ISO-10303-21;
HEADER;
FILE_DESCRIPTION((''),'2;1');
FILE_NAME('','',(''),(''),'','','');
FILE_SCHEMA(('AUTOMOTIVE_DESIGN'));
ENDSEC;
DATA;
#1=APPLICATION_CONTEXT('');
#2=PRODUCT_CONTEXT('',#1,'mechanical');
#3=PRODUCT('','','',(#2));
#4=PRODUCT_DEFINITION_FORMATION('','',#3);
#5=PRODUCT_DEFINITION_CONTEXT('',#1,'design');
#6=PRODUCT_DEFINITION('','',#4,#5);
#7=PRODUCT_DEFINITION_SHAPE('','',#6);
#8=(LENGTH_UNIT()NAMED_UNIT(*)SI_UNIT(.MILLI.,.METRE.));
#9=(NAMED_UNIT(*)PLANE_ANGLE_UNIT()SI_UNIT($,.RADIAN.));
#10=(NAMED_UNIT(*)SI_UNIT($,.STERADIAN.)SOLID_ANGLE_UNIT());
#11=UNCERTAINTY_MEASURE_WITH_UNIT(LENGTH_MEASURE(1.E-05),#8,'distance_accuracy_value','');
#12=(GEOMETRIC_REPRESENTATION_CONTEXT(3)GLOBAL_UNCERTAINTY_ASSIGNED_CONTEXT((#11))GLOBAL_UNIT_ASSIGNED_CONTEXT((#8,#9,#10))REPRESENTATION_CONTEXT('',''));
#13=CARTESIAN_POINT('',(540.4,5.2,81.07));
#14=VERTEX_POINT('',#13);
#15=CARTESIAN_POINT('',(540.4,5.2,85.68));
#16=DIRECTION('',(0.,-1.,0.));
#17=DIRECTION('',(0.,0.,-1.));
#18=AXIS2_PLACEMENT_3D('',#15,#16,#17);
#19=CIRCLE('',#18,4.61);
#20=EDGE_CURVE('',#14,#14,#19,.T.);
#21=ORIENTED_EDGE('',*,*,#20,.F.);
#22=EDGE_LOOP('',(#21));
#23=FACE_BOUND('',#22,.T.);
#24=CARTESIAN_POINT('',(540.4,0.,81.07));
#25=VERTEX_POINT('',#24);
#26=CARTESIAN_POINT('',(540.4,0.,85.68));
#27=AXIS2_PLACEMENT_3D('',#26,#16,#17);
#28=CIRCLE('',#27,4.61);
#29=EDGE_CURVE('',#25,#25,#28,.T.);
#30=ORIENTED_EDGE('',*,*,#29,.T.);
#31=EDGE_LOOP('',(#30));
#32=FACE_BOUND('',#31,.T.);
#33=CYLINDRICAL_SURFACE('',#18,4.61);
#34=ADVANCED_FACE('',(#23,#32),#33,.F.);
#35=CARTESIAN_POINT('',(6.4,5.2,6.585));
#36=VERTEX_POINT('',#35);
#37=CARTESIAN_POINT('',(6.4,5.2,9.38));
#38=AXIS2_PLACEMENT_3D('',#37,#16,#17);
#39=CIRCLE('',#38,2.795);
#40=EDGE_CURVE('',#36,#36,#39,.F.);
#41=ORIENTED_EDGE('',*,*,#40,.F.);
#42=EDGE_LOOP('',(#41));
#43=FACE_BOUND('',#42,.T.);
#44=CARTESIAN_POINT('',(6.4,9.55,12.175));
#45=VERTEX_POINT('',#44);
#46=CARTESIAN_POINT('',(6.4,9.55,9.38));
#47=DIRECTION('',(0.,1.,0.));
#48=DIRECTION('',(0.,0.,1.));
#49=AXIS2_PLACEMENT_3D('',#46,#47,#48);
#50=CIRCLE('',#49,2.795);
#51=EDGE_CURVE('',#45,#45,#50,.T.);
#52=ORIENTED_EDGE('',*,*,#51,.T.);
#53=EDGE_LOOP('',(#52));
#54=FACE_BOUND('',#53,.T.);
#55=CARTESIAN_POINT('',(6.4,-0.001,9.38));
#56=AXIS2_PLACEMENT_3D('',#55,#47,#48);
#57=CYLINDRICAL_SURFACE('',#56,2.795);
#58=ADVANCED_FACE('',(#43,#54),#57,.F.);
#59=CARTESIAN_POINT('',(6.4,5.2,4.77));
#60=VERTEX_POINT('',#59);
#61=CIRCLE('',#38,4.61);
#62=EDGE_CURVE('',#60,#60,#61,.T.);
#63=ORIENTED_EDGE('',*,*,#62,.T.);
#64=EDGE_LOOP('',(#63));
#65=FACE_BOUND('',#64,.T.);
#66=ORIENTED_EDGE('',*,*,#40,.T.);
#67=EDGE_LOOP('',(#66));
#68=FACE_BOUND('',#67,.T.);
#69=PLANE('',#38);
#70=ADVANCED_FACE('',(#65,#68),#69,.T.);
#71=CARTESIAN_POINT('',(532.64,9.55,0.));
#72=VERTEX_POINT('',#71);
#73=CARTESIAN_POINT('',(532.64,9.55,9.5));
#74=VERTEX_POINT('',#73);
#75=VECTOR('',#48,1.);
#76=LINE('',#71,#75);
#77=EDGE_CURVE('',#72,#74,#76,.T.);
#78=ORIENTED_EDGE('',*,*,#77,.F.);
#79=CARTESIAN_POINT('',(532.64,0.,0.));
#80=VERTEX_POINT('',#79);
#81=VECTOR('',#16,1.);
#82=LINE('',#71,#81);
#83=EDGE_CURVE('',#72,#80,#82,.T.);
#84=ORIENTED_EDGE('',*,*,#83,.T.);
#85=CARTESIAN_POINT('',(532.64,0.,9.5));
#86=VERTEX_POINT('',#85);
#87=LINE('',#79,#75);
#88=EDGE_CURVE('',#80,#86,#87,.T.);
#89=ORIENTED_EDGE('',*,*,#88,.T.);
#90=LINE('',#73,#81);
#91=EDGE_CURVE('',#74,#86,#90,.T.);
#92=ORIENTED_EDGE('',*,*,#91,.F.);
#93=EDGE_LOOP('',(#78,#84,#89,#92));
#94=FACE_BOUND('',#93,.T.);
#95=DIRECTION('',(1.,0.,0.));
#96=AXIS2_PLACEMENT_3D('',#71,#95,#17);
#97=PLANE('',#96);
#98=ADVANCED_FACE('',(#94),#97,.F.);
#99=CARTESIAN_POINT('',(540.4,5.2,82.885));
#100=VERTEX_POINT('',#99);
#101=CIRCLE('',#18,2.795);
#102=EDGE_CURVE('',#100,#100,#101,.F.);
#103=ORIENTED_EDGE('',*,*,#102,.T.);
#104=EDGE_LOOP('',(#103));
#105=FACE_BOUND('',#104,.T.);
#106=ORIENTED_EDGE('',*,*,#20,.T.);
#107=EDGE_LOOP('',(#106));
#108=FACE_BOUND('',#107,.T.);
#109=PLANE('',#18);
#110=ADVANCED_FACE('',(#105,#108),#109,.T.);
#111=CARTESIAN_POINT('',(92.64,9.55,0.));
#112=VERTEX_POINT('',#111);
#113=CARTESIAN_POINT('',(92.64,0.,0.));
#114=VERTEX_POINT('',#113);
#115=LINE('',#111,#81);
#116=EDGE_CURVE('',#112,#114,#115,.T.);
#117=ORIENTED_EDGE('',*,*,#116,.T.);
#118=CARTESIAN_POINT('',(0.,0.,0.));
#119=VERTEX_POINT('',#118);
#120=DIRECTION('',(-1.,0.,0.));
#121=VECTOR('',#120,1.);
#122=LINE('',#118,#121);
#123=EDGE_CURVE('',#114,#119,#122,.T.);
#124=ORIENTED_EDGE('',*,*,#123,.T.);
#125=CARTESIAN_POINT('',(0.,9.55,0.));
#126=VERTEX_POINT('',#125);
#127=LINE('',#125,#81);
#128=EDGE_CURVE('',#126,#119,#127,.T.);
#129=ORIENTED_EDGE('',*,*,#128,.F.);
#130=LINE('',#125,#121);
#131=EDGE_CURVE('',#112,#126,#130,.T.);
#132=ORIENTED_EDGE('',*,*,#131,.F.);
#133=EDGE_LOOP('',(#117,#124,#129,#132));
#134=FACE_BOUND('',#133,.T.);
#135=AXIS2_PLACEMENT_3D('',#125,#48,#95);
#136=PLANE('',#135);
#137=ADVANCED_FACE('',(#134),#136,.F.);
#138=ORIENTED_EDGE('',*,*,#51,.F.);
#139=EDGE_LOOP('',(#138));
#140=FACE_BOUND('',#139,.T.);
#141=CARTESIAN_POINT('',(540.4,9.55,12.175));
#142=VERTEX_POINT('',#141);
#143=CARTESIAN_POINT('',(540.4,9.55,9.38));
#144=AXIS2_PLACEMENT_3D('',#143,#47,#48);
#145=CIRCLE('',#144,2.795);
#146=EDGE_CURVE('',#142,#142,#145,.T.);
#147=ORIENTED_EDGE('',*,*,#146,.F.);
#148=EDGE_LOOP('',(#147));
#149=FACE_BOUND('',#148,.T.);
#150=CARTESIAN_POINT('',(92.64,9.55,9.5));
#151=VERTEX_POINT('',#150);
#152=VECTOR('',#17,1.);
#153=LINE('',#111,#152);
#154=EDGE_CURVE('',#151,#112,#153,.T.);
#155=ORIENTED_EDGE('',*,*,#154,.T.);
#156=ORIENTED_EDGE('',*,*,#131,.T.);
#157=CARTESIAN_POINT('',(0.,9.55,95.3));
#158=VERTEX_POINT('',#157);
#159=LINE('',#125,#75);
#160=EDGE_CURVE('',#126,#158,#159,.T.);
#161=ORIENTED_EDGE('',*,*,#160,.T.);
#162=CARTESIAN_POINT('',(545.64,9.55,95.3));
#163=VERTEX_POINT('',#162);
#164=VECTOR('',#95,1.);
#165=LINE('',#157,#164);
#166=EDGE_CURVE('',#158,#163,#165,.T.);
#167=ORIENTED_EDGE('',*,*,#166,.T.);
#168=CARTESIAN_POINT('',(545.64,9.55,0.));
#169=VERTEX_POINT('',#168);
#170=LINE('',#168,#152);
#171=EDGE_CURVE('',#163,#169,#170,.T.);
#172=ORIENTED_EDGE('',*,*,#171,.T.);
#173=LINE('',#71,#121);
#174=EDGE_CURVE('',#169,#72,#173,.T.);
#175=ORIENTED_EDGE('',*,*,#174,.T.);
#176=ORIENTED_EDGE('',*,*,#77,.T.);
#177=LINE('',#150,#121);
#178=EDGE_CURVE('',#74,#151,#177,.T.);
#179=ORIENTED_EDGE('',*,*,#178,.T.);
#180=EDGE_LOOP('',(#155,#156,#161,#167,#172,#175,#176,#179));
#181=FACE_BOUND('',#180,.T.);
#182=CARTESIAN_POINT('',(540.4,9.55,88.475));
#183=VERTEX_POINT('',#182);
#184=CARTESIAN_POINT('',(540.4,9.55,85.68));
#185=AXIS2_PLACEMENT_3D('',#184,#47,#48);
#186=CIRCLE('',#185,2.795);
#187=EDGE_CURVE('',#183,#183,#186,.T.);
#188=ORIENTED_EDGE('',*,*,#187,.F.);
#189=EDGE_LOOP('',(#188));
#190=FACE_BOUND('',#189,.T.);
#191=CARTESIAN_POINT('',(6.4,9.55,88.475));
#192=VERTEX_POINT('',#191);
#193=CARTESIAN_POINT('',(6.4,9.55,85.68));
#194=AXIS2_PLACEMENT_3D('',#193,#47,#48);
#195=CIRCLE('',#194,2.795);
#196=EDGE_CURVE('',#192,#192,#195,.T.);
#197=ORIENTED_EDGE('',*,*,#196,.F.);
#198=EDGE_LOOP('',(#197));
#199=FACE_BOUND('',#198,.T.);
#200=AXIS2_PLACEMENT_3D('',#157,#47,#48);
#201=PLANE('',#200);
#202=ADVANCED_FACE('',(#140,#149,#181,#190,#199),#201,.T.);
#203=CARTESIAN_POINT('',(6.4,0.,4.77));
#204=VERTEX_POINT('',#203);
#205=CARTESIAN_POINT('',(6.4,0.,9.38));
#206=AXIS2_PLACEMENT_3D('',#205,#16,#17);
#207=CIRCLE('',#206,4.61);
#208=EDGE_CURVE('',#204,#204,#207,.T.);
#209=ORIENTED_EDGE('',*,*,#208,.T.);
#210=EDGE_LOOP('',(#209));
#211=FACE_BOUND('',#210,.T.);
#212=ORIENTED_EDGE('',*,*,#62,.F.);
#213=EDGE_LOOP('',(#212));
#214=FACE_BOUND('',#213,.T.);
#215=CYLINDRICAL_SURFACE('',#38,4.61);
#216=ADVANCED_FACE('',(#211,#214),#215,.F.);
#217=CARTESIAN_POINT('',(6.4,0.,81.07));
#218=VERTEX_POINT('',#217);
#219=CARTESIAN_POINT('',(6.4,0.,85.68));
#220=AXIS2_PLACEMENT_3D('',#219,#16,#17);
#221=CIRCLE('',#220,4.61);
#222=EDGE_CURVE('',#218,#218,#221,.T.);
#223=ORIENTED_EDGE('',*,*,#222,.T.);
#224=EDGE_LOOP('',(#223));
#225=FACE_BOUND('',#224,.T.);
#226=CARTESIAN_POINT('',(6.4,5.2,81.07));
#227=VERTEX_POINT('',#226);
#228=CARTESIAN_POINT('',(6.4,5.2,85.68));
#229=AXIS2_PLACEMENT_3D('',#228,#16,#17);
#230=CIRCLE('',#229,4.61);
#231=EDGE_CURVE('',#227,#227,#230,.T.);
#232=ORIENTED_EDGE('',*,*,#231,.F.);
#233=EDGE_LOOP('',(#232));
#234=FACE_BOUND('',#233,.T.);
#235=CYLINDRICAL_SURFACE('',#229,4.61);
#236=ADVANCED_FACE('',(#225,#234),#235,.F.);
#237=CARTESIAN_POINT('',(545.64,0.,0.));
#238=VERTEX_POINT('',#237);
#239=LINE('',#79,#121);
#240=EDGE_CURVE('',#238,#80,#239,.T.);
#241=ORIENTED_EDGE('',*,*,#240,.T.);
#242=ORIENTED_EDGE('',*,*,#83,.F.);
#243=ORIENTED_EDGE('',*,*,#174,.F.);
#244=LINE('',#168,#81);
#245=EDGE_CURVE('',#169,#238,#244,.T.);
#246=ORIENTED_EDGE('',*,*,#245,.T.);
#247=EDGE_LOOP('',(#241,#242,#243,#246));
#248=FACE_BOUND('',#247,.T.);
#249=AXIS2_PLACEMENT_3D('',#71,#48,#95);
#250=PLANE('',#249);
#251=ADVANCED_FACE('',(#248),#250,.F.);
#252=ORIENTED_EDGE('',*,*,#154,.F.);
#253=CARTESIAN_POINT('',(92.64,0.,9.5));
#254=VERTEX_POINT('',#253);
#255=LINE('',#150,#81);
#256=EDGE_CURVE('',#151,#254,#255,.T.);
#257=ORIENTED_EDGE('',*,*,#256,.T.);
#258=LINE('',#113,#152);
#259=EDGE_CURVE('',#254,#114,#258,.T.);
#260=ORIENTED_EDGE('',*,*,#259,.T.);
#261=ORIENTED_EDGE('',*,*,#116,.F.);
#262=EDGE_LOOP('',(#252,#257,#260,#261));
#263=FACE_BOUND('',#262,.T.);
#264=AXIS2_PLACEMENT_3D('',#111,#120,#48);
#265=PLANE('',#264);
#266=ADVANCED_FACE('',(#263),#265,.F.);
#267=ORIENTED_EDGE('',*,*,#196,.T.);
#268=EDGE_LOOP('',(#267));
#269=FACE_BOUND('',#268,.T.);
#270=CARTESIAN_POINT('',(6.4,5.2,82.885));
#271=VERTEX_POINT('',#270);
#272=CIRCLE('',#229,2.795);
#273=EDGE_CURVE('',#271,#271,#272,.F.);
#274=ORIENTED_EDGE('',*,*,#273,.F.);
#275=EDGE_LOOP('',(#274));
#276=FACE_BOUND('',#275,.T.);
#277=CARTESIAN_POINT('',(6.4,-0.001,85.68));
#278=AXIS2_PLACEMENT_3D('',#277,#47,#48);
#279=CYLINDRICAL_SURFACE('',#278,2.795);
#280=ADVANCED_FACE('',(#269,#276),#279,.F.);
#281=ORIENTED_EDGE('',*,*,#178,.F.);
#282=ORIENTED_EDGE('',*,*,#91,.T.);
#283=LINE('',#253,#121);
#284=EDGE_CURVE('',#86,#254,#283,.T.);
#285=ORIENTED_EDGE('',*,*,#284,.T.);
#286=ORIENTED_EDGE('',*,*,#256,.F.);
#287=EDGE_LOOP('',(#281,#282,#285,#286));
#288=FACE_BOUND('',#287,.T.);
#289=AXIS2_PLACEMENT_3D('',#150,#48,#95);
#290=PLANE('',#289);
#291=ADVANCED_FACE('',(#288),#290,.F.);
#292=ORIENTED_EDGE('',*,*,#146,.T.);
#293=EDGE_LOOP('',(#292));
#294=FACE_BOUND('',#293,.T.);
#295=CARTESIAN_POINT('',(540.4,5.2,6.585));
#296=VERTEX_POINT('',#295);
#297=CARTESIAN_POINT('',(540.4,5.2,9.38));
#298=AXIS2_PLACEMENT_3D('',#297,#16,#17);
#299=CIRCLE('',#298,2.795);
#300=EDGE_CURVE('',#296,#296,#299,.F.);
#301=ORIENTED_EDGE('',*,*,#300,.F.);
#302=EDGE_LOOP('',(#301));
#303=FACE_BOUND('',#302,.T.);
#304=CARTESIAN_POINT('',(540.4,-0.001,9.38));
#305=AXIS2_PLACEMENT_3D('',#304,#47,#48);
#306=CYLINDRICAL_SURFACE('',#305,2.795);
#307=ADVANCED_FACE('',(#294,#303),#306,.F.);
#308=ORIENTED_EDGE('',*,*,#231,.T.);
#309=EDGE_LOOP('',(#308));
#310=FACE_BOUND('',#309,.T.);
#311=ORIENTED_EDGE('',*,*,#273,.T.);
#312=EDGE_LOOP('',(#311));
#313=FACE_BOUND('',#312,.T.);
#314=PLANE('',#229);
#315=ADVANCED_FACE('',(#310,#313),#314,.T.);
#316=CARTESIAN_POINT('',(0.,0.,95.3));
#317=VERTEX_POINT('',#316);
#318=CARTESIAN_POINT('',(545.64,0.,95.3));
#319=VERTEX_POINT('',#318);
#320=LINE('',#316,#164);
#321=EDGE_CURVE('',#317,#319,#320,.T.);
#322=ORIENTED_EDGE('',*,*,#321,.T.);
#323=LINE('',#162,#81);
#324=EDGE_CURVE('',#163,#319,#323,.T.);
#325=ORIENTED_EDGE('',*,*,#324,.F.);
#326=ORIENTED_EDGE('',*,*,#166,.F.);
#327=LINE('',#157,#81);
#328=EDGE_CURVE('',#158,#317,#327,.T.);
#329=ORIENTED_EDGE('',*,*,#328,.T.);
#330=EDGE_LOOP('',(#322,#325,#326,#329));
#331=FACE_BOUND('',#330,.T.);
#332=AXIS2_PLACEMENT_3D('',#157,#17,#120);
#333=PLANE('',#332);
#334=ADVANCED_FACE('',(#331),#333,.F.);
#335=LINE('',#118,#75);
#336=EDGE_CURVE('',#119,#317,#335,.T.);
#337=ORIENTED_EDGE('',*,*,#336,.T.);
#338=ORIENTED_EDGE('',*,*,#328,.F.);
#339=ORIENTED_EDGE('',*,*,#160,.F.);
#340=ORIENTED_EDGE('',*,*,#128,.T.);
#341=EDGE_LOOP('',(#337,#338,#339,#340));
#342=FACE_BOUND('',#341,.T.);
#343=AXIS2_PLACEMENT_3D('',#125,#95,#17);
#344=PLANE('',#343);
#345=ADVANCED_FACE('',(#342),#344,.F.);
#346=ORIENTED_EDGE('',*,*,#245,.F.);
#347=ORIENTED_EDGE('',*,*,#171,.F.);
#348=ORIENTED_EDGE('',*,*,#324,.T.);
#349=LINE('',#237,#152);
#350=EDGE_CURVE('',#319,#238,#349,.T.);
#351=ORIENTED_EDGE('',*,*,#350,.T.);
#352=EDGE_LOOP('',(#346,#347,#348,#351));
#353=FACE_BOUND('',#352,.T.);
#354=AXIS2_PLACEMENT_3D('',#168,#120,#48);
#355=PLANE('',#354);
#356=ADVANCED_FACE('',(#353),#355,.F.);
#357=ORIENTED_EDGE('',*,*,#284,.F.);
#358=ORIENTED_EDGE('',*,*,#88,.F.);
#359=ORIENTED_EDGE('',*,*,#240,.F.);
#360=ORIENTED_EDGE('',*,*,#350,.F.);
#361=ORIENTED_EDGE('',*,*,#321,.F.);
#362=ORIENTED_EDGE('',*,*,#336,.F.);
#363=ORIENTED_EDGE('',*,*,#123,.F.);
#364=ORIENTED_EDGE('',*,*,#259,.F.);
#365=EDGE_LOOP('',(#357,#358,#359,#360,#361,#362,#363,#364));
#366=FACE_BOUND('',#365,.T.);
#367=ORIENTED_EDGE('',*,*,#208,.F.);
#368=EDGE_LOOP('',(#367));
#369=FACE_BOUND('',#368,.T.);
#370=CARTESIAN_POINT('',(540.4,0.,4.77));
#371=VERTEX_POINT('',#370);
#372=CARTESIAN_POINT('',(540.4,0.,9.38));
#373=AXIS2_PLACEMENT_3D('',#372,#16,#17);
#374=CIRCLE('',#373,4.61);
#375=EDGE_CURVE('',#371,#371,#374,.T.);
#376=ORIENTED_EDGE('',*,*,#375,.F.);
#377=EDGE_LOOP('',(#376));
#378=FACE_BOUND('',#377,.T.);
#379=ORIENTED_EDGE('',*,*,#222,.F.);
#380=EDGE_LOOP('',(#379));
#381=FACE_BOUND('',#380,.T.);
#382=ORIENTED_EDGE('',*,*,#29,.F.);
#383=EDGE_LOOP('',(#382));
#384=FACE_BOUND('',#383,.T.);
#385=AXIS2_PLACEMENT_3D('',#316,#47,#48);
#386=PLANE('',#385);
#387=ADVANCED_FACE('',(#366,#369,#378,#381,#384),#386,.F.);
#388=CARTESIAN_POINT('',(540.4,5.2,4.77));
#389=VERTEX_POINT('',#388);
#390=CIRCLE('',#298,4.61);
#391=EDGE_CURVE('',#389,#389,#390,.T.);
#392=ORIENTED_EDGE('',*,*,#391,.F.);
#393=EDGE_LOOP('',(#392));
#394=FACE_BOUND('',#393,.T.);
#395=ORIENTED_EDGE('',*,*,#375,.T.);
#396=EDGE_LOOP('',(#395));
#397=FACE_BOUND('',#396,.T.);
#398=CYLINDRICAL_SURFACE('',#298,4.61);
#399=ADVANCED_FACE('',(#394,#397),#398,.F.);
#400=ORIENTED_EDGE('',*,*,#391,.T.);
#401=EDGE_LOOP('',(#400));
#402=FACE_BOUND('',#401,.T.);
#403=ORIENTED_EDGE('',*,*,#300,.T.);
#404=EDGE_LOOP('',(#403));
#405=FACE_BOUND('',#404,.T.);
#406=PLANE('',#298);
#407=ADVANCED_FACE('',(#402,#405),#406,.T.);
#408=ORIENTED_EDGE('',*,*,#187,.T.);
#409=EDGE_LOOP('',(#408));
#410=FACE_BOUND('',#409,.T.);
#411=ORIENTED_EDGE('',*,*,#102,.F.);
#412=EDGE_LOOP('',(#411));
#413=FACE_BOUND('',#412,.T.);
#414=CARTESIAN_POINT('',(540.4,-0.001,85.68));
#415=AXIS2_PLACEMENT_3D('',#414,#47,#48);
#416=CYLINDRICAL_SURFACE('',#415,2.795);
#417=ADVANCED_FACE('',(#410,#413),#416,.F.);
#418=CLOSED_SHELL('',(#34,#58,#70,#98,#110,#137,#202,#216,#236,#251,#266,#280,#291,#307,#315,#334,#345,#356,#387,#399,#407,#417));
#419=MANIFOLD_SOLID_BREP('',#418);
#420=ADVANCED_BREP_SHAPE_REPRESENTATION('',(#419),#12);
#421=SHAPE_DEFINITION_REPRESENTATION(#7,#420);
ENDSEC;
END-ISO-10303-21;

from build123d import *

# Parameters (mm, degrees)
BOSS_EXTRUDE1_DEPTH = 9.55
CUT_EXTRUDE1_REACH  = 11.55
SKETCH2_R           = 2.795
SKETCH5_R           = 4.61
CUT_EXTRUDE3_DEPTH  = 5.2


with BuildPart() as part:
    # Sketch1 → Boss-Extrude1 (new body)
    with BuildSketch(Plane(origin=(0, 0, 0), x_dir=(1, 0, 0), z_dir=(0, 1, 0))):
        Polygon((532.64, 0), (545.64, 0), (545.64, -95.3), (0, -95.3), (0, 0), (92.64, 0), (92.64, -9.5), (532.64, -9.5), align=None)
    extrude(amount=BOSS_EXTRUDE1_DEPTH)

    # Sketch2 → Cut-Extrude1 (cut, up to next)
    with BuildSketch(Plane(origin=(0, 9.55, 0), x_dir=(-1, 0, 0), z_dir=(0, 1, 0)), mode=Mode.PRIVATE) as cut_extrude1_sk1:
        with Locations((-6.4, 9.38)):
            Circle(SKETCH2_R)
    cut_extrude1_tool1 = extrude(cut_extrude1_sk1.sketch, amount=-CUT_EXTRUDE1_REACH, mode=Mode.PRIVATE) & part.part
    add(cut_extrude1_tool1.solids().sort_by_distance((6.4, 9.55, 9.38))[0], mode=Mode.SUBTRACT)
    # Sketch2 → Cut-Extrude1 (cut, up to next)
    with BuildSketch(Plane(origin=(0, 9.55, 0), x_dir=(-1, 0, 0), z_dir=(0, 1, 0)), mode=Mode.PRIVATE) as cut_extrude1_sk2:
        with Locations((-6.4, 85.68)):
            Circle(SKETCH2_R)
    cut_extrude1_tool2 = extrude(cut_extrude1_sk2.sketch, amount=-CUT_EXTRUDE1_REACH, mode=Mode.PRIVATE) & part.part
    add(cut_extrude1_tool2.solids().sort_by_distance((6.4, 9.55, 85.68))[0], mode=Mode.SUBTRACT)
    # Sketch2 → Cut-Extrude1 (cut, up to next)
    with BuildSketch(Plane(origin=(0, 9.55, 0), x_dir=(-1, 0, 0), z_dir=(0, 1, 0)), mode=Mode.PRIVATE) as cut_extrude1_sk3:
        with Locations((-540.4, 85.68)):
            Circle(SKETCH2_R)
    cut_extrude1_tool3 = extrude(cut_extrude1_sk3.sketch, amount=-CUT_EXTRUDE1_REACH, mode=Mode.PRIVATE) & part.part
    add(cut_extrude1_tool3.solids().sort_by_distance((540.4, 9.55, 85.68))[0], mode=Mode.SUBTRACT)
    # Sketch2 → Cut-Extrude1 (cut, up to next)
    with BuildSketch(Plane(origin=(0, 9.55, 0), x_dir=(-1, 0, 0), z_dir=(0, 1, 0)), mode=Mode.PRIVATE) as cut_extrude1_sk4:
        with Locations((-540.4, 9.38)):
            Circle(SKETCH2_R)
    cut_extrude1_tool4 = extrude(cut_extrude1_sk4.sketch, amount=-CUT_EXTRUDE1_REACH, mode=Mode.PRIVATE) & part.part
    add(cut_extrude1_tool4.solids().sort_by_distance((540.4, 9.55, 9.38))[0], mode=Mode.SUBTRACT)

    # Sketch5 → Cut-Extrude3 (cut)
    with BuildSketch(Plane.XZ):
        with Locations((6.4, 85.68)):
            Circle(SKETCH5_R)
        with Locations((6.4, 9.38)):
            Circle(SKETCH5_R)
        with Locations((540.4, 9.38)):
            Circle(SKETCH5_R)
        with Locations((540.4, 85.68)):
            Circle(SKETCH5_R)
    extrude(amount=-CUT_EXTRUDE3_DEPTH, mode=Mode.SUBTRACT)


solid = part.part
